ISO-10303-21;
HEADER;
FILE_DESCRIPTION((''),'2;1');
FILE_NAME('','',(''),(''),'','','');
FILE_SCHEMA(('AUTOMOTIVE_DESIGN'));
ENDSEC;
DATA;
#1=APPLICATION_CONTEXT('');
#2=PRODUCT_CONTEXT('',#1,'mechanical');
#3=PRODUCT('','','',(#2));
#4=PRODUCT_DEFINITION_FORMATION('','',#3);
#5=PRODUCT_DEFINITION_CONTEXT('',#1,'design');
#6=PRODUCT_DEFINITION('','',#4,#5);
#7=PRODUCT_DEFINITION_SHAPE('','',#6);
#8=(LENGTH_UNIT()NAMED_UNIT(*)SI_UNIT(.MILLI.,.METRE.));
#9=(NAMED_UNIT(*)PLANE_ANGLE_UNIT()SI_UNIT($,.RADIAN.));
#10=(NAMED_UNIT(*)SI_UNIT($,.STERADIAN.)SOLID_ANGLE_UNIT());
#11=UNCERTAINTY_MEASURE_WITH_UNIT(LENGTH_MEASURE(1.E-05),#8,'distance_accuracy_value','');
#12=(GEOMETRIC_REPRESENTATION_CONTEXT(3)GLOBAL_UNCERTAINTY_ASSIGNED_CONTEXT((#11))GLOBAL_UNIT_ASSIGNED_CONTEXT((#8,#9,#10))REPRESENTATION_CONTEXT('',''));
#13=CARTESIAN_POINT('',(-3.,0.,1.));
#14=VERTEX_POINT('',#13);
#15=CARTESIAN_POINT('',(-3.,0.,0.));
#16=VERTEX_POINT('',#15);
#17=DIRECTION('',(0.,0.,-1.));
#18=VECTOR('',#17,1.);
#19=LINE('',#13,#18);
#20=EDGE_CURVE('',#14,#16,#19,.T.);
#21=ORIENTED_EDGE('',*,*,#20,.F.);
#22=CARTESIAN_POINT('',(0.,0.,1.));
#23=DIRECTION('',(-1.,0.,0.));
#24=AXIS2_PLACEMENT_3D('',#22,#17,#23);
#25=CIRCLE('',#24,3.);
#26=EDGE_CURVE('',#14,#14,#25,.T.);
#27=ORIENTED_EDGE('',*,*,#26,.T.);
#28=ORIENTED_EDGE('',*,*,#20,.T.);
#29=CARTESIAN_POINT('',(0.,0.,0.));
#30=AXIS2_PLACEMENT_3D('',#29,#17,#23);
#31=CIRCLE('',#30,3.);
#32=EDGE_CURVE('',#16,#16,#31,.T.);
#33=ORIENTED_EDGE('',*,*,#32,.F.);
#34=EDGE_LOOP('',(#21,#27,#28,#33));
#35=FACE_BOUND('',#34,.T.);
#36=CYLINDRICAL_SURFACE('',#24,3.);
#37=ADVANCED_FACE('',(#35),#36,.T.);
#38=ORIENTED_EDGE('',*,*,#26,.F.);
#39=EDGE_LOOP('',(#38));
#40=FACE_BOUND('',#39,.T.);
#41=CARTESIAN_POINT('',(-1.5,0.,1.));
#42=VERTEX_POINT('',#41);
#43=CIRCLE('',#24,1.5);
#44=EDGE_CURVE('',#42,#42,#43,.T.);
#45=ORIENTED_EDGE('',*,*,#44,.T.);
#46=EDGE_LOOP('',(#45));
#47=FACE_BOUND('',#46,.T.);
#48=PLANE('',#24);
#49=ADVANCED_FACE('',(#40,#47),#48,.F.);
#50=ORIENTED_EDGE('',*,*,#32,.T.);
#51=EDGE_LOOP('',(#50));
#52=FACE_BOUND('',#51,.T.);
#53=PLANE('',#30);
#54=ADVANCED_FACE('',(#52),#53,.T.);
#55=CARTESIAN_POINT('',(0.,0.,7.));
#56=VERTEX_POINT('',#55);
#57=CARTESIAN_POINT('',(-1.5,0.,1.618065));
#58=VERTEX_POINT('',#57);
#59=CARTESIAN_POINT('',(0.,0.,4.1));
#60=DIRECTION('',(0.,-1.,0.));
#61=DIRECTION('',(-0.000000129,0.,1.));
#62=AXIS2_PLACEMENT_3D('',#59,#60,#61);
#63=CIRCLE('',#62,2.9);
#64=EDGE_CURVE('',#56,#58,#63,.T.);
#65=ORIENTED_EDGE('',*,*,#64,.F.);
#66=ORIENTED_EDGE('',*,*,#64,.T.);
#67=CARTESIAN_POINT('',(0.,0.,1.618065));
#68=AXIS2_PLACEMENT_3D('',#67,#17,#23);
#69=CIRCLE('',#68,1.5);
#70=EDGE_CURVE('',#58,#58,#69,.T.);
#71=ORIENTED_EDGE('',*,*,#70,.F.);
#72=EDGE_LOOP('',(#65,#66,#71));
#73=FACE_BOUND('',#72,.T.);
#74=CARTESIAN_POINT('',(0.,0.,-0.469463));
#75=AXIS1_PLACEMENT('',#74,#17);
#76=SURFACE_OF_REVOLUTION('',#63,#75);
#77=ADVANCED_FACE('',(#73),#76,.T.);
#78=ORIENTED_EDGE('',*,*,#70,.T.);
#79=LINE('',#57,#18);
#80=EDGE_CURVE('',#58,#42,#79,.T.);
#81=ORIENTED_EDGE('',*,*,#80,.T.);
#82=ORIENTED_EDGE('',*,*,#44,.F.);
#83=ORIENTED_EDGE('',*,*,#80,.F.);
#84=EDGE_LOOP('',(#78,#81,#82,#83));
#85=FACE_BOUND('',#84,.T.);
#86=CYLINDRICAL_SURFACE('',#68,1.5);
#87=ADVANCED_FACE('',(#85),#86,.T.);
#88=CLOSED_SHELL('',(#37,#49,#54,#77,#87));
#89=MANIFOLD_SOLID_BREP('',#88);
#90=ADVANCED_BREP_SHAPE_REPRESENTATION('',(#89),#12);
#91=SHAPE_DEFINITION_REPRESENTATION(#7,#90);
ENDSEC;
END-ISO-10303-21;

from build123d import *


with BuildPart() as f2:
    # F1 (on Front) → F2 (revolve)
    with BuildSketch(Plane.XZ):
        with BuildLine():
            Line((-3, 1), (-3, 0))
            Line((-3, 0), (0, 0))
            Line((0, 0), (0, 7))
            ThreePointArc((0, 7), (-2.793529, 4.878585), (-1.5, 1.618065))
            Line((-1.5, 1.618065), (-1.5, 1))
            Line((-1.5, 1), (-3, 1))
        make_face()
    revolve(axis=Axis((0, 0, -0.469463), (0, 0, -1)))


solid = f2.part
